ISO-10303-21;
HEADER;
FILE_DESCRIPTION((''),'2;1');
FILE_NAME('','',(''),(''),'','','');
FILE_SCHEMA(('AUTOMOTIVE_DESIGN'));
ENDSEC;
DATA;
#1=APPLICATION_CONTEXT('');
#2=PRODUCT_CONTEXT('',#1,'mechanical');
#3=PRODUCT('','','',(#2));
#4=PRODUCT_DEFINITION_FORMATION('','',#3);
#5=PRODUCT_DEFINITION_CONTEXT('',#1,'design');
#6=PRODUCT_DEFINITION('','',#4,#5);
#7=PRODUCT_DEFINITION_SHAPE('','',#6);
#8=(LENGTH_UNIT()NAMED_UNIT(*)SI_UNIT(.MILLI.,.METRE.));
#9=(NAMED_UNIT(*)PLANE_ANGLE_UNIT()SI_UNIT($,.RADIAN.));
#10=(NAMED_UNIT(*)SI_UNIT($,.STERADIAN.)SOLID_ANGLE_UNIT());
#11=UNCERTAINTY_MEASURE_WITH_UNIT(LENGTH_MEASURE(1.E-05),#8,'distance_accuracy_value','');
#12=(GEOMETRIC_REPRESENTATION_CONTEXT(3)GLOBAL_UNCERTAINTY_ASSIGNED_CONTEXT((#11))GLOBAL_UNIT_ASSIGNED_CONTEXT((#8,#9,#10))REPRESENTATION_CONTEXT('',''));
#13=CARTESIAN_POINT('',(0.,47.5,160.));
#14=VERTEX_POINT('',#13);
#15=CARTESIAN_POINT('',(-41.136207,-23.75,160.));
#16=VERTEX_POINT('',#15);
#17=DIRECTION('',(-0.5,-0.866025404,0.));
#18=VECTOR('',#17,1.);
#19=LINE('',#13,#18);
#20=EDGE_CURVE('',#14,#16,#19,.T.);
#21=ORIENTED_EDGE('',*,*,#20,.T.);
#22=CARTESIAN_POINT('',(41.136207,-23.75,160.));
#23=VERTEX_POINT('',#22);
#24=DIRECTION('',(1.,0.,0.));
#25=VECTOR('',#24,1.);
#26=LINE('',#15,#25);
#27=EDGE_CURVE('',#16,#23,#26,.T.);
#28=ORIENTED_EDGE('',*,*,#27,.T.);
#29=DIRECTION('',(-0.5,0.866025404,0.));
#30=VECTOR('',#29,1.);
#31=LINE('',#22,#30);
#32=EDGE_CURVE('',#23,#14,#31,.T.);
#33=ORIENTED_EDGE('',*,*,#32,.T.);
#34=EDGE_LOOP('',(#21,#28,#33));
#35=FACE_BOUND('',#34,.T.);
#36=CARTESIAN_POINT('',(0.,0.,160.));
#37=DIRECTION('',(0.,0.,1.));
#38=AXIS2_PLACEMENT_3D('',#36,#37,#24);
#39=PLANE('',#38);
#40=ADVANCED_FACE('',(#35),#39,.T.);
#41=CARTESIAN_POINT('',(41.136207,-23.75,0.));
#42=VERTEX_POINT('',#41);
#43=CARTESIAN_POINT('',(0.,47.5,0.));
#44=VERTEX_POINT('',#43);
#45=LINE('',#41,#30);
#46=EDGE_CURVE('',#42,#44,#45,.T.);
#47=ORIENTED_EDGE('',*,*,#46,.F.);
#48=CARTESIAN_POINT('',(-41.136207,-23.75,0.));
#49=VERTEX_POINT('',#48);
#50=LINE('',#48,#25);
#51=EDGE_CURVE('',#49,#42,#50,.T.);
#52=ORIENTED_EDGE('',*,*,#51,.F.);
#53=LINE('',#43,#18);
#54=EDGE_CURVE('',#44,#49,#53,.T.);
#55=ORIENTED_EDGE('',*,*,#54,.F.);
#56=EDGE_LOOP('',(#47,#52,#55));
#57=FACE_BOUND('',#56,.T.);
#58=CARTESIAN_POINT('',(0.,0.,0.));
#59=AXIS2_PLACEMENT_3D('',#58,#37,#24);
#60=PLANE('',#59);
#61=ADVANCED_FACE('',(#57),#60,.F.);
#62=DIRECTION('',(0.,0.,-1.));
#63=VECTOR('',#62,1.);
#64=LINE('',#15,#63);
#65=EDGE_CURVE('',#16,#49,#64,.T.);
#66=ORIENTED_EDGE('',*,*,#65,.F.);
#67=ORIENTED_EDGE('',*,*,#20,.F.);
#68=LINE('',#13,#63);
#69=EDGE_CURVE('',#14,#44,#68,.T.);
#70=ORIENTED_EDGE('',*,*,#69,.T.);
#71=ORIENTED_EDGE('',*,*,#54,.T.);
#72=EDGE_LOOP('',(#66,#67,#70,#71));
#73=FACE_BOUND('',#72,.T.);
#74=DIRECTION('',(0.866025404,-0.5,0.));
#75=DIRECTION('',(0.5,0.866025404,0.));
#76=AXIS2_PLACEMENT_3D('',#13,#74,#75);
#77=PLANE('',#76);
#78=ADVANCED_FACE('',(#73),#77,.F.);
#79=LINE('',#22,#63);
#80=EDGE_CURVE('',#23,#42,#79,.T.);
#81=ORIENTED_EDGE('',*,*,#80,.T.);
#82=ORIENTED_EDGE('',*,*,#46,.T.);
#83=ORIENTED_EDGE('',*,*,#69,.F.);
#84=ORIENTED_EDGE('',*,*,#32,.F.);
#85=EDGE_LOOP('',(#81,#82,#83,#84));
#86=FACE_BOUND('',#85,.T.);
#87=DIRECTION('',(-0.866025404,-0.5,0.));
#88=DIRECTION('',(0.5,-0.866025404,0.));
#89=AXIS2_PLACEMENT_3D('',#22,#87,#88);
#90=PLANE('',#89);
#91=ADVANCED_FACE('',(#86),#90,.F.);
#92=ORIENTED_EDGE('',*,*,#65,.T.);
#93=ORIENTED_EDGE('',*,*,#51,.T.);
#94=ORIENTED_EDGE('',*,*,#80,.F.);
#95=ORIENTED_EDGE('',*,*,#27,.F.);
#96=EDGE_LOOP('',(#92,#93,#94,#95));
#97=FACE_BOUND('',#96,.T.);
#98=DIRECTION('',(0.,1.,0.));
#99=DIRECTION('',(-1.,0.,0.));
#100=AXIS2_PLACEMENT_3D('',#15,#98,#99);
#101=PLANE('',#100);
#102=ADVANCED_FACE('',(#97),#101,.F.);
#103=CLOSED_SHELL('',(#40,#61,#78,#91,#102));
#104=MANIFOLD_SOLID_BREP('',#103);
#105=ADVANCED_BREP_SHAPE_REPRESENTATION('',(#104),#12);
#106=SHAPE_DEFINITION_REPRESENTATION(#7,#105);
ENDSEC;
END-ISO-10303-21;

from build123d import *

# Parameters (mm, degrees)
ESTRUSIONE_ESTRUSIONE1_DEPTH = 160


with BuildPart() as part:
    # Schizzo1 → Estrusione-Estrusione1 (new body)
    with BuildSketch(Plane.XY):
        Polygon((0, 47.5), (-41.13620668, -23.75), (41.13620668, -23.75), align=None)
    extrude(amount=ESTRUSIONE_ESTRUSIONE1_DEPTH)


solid = part.part
